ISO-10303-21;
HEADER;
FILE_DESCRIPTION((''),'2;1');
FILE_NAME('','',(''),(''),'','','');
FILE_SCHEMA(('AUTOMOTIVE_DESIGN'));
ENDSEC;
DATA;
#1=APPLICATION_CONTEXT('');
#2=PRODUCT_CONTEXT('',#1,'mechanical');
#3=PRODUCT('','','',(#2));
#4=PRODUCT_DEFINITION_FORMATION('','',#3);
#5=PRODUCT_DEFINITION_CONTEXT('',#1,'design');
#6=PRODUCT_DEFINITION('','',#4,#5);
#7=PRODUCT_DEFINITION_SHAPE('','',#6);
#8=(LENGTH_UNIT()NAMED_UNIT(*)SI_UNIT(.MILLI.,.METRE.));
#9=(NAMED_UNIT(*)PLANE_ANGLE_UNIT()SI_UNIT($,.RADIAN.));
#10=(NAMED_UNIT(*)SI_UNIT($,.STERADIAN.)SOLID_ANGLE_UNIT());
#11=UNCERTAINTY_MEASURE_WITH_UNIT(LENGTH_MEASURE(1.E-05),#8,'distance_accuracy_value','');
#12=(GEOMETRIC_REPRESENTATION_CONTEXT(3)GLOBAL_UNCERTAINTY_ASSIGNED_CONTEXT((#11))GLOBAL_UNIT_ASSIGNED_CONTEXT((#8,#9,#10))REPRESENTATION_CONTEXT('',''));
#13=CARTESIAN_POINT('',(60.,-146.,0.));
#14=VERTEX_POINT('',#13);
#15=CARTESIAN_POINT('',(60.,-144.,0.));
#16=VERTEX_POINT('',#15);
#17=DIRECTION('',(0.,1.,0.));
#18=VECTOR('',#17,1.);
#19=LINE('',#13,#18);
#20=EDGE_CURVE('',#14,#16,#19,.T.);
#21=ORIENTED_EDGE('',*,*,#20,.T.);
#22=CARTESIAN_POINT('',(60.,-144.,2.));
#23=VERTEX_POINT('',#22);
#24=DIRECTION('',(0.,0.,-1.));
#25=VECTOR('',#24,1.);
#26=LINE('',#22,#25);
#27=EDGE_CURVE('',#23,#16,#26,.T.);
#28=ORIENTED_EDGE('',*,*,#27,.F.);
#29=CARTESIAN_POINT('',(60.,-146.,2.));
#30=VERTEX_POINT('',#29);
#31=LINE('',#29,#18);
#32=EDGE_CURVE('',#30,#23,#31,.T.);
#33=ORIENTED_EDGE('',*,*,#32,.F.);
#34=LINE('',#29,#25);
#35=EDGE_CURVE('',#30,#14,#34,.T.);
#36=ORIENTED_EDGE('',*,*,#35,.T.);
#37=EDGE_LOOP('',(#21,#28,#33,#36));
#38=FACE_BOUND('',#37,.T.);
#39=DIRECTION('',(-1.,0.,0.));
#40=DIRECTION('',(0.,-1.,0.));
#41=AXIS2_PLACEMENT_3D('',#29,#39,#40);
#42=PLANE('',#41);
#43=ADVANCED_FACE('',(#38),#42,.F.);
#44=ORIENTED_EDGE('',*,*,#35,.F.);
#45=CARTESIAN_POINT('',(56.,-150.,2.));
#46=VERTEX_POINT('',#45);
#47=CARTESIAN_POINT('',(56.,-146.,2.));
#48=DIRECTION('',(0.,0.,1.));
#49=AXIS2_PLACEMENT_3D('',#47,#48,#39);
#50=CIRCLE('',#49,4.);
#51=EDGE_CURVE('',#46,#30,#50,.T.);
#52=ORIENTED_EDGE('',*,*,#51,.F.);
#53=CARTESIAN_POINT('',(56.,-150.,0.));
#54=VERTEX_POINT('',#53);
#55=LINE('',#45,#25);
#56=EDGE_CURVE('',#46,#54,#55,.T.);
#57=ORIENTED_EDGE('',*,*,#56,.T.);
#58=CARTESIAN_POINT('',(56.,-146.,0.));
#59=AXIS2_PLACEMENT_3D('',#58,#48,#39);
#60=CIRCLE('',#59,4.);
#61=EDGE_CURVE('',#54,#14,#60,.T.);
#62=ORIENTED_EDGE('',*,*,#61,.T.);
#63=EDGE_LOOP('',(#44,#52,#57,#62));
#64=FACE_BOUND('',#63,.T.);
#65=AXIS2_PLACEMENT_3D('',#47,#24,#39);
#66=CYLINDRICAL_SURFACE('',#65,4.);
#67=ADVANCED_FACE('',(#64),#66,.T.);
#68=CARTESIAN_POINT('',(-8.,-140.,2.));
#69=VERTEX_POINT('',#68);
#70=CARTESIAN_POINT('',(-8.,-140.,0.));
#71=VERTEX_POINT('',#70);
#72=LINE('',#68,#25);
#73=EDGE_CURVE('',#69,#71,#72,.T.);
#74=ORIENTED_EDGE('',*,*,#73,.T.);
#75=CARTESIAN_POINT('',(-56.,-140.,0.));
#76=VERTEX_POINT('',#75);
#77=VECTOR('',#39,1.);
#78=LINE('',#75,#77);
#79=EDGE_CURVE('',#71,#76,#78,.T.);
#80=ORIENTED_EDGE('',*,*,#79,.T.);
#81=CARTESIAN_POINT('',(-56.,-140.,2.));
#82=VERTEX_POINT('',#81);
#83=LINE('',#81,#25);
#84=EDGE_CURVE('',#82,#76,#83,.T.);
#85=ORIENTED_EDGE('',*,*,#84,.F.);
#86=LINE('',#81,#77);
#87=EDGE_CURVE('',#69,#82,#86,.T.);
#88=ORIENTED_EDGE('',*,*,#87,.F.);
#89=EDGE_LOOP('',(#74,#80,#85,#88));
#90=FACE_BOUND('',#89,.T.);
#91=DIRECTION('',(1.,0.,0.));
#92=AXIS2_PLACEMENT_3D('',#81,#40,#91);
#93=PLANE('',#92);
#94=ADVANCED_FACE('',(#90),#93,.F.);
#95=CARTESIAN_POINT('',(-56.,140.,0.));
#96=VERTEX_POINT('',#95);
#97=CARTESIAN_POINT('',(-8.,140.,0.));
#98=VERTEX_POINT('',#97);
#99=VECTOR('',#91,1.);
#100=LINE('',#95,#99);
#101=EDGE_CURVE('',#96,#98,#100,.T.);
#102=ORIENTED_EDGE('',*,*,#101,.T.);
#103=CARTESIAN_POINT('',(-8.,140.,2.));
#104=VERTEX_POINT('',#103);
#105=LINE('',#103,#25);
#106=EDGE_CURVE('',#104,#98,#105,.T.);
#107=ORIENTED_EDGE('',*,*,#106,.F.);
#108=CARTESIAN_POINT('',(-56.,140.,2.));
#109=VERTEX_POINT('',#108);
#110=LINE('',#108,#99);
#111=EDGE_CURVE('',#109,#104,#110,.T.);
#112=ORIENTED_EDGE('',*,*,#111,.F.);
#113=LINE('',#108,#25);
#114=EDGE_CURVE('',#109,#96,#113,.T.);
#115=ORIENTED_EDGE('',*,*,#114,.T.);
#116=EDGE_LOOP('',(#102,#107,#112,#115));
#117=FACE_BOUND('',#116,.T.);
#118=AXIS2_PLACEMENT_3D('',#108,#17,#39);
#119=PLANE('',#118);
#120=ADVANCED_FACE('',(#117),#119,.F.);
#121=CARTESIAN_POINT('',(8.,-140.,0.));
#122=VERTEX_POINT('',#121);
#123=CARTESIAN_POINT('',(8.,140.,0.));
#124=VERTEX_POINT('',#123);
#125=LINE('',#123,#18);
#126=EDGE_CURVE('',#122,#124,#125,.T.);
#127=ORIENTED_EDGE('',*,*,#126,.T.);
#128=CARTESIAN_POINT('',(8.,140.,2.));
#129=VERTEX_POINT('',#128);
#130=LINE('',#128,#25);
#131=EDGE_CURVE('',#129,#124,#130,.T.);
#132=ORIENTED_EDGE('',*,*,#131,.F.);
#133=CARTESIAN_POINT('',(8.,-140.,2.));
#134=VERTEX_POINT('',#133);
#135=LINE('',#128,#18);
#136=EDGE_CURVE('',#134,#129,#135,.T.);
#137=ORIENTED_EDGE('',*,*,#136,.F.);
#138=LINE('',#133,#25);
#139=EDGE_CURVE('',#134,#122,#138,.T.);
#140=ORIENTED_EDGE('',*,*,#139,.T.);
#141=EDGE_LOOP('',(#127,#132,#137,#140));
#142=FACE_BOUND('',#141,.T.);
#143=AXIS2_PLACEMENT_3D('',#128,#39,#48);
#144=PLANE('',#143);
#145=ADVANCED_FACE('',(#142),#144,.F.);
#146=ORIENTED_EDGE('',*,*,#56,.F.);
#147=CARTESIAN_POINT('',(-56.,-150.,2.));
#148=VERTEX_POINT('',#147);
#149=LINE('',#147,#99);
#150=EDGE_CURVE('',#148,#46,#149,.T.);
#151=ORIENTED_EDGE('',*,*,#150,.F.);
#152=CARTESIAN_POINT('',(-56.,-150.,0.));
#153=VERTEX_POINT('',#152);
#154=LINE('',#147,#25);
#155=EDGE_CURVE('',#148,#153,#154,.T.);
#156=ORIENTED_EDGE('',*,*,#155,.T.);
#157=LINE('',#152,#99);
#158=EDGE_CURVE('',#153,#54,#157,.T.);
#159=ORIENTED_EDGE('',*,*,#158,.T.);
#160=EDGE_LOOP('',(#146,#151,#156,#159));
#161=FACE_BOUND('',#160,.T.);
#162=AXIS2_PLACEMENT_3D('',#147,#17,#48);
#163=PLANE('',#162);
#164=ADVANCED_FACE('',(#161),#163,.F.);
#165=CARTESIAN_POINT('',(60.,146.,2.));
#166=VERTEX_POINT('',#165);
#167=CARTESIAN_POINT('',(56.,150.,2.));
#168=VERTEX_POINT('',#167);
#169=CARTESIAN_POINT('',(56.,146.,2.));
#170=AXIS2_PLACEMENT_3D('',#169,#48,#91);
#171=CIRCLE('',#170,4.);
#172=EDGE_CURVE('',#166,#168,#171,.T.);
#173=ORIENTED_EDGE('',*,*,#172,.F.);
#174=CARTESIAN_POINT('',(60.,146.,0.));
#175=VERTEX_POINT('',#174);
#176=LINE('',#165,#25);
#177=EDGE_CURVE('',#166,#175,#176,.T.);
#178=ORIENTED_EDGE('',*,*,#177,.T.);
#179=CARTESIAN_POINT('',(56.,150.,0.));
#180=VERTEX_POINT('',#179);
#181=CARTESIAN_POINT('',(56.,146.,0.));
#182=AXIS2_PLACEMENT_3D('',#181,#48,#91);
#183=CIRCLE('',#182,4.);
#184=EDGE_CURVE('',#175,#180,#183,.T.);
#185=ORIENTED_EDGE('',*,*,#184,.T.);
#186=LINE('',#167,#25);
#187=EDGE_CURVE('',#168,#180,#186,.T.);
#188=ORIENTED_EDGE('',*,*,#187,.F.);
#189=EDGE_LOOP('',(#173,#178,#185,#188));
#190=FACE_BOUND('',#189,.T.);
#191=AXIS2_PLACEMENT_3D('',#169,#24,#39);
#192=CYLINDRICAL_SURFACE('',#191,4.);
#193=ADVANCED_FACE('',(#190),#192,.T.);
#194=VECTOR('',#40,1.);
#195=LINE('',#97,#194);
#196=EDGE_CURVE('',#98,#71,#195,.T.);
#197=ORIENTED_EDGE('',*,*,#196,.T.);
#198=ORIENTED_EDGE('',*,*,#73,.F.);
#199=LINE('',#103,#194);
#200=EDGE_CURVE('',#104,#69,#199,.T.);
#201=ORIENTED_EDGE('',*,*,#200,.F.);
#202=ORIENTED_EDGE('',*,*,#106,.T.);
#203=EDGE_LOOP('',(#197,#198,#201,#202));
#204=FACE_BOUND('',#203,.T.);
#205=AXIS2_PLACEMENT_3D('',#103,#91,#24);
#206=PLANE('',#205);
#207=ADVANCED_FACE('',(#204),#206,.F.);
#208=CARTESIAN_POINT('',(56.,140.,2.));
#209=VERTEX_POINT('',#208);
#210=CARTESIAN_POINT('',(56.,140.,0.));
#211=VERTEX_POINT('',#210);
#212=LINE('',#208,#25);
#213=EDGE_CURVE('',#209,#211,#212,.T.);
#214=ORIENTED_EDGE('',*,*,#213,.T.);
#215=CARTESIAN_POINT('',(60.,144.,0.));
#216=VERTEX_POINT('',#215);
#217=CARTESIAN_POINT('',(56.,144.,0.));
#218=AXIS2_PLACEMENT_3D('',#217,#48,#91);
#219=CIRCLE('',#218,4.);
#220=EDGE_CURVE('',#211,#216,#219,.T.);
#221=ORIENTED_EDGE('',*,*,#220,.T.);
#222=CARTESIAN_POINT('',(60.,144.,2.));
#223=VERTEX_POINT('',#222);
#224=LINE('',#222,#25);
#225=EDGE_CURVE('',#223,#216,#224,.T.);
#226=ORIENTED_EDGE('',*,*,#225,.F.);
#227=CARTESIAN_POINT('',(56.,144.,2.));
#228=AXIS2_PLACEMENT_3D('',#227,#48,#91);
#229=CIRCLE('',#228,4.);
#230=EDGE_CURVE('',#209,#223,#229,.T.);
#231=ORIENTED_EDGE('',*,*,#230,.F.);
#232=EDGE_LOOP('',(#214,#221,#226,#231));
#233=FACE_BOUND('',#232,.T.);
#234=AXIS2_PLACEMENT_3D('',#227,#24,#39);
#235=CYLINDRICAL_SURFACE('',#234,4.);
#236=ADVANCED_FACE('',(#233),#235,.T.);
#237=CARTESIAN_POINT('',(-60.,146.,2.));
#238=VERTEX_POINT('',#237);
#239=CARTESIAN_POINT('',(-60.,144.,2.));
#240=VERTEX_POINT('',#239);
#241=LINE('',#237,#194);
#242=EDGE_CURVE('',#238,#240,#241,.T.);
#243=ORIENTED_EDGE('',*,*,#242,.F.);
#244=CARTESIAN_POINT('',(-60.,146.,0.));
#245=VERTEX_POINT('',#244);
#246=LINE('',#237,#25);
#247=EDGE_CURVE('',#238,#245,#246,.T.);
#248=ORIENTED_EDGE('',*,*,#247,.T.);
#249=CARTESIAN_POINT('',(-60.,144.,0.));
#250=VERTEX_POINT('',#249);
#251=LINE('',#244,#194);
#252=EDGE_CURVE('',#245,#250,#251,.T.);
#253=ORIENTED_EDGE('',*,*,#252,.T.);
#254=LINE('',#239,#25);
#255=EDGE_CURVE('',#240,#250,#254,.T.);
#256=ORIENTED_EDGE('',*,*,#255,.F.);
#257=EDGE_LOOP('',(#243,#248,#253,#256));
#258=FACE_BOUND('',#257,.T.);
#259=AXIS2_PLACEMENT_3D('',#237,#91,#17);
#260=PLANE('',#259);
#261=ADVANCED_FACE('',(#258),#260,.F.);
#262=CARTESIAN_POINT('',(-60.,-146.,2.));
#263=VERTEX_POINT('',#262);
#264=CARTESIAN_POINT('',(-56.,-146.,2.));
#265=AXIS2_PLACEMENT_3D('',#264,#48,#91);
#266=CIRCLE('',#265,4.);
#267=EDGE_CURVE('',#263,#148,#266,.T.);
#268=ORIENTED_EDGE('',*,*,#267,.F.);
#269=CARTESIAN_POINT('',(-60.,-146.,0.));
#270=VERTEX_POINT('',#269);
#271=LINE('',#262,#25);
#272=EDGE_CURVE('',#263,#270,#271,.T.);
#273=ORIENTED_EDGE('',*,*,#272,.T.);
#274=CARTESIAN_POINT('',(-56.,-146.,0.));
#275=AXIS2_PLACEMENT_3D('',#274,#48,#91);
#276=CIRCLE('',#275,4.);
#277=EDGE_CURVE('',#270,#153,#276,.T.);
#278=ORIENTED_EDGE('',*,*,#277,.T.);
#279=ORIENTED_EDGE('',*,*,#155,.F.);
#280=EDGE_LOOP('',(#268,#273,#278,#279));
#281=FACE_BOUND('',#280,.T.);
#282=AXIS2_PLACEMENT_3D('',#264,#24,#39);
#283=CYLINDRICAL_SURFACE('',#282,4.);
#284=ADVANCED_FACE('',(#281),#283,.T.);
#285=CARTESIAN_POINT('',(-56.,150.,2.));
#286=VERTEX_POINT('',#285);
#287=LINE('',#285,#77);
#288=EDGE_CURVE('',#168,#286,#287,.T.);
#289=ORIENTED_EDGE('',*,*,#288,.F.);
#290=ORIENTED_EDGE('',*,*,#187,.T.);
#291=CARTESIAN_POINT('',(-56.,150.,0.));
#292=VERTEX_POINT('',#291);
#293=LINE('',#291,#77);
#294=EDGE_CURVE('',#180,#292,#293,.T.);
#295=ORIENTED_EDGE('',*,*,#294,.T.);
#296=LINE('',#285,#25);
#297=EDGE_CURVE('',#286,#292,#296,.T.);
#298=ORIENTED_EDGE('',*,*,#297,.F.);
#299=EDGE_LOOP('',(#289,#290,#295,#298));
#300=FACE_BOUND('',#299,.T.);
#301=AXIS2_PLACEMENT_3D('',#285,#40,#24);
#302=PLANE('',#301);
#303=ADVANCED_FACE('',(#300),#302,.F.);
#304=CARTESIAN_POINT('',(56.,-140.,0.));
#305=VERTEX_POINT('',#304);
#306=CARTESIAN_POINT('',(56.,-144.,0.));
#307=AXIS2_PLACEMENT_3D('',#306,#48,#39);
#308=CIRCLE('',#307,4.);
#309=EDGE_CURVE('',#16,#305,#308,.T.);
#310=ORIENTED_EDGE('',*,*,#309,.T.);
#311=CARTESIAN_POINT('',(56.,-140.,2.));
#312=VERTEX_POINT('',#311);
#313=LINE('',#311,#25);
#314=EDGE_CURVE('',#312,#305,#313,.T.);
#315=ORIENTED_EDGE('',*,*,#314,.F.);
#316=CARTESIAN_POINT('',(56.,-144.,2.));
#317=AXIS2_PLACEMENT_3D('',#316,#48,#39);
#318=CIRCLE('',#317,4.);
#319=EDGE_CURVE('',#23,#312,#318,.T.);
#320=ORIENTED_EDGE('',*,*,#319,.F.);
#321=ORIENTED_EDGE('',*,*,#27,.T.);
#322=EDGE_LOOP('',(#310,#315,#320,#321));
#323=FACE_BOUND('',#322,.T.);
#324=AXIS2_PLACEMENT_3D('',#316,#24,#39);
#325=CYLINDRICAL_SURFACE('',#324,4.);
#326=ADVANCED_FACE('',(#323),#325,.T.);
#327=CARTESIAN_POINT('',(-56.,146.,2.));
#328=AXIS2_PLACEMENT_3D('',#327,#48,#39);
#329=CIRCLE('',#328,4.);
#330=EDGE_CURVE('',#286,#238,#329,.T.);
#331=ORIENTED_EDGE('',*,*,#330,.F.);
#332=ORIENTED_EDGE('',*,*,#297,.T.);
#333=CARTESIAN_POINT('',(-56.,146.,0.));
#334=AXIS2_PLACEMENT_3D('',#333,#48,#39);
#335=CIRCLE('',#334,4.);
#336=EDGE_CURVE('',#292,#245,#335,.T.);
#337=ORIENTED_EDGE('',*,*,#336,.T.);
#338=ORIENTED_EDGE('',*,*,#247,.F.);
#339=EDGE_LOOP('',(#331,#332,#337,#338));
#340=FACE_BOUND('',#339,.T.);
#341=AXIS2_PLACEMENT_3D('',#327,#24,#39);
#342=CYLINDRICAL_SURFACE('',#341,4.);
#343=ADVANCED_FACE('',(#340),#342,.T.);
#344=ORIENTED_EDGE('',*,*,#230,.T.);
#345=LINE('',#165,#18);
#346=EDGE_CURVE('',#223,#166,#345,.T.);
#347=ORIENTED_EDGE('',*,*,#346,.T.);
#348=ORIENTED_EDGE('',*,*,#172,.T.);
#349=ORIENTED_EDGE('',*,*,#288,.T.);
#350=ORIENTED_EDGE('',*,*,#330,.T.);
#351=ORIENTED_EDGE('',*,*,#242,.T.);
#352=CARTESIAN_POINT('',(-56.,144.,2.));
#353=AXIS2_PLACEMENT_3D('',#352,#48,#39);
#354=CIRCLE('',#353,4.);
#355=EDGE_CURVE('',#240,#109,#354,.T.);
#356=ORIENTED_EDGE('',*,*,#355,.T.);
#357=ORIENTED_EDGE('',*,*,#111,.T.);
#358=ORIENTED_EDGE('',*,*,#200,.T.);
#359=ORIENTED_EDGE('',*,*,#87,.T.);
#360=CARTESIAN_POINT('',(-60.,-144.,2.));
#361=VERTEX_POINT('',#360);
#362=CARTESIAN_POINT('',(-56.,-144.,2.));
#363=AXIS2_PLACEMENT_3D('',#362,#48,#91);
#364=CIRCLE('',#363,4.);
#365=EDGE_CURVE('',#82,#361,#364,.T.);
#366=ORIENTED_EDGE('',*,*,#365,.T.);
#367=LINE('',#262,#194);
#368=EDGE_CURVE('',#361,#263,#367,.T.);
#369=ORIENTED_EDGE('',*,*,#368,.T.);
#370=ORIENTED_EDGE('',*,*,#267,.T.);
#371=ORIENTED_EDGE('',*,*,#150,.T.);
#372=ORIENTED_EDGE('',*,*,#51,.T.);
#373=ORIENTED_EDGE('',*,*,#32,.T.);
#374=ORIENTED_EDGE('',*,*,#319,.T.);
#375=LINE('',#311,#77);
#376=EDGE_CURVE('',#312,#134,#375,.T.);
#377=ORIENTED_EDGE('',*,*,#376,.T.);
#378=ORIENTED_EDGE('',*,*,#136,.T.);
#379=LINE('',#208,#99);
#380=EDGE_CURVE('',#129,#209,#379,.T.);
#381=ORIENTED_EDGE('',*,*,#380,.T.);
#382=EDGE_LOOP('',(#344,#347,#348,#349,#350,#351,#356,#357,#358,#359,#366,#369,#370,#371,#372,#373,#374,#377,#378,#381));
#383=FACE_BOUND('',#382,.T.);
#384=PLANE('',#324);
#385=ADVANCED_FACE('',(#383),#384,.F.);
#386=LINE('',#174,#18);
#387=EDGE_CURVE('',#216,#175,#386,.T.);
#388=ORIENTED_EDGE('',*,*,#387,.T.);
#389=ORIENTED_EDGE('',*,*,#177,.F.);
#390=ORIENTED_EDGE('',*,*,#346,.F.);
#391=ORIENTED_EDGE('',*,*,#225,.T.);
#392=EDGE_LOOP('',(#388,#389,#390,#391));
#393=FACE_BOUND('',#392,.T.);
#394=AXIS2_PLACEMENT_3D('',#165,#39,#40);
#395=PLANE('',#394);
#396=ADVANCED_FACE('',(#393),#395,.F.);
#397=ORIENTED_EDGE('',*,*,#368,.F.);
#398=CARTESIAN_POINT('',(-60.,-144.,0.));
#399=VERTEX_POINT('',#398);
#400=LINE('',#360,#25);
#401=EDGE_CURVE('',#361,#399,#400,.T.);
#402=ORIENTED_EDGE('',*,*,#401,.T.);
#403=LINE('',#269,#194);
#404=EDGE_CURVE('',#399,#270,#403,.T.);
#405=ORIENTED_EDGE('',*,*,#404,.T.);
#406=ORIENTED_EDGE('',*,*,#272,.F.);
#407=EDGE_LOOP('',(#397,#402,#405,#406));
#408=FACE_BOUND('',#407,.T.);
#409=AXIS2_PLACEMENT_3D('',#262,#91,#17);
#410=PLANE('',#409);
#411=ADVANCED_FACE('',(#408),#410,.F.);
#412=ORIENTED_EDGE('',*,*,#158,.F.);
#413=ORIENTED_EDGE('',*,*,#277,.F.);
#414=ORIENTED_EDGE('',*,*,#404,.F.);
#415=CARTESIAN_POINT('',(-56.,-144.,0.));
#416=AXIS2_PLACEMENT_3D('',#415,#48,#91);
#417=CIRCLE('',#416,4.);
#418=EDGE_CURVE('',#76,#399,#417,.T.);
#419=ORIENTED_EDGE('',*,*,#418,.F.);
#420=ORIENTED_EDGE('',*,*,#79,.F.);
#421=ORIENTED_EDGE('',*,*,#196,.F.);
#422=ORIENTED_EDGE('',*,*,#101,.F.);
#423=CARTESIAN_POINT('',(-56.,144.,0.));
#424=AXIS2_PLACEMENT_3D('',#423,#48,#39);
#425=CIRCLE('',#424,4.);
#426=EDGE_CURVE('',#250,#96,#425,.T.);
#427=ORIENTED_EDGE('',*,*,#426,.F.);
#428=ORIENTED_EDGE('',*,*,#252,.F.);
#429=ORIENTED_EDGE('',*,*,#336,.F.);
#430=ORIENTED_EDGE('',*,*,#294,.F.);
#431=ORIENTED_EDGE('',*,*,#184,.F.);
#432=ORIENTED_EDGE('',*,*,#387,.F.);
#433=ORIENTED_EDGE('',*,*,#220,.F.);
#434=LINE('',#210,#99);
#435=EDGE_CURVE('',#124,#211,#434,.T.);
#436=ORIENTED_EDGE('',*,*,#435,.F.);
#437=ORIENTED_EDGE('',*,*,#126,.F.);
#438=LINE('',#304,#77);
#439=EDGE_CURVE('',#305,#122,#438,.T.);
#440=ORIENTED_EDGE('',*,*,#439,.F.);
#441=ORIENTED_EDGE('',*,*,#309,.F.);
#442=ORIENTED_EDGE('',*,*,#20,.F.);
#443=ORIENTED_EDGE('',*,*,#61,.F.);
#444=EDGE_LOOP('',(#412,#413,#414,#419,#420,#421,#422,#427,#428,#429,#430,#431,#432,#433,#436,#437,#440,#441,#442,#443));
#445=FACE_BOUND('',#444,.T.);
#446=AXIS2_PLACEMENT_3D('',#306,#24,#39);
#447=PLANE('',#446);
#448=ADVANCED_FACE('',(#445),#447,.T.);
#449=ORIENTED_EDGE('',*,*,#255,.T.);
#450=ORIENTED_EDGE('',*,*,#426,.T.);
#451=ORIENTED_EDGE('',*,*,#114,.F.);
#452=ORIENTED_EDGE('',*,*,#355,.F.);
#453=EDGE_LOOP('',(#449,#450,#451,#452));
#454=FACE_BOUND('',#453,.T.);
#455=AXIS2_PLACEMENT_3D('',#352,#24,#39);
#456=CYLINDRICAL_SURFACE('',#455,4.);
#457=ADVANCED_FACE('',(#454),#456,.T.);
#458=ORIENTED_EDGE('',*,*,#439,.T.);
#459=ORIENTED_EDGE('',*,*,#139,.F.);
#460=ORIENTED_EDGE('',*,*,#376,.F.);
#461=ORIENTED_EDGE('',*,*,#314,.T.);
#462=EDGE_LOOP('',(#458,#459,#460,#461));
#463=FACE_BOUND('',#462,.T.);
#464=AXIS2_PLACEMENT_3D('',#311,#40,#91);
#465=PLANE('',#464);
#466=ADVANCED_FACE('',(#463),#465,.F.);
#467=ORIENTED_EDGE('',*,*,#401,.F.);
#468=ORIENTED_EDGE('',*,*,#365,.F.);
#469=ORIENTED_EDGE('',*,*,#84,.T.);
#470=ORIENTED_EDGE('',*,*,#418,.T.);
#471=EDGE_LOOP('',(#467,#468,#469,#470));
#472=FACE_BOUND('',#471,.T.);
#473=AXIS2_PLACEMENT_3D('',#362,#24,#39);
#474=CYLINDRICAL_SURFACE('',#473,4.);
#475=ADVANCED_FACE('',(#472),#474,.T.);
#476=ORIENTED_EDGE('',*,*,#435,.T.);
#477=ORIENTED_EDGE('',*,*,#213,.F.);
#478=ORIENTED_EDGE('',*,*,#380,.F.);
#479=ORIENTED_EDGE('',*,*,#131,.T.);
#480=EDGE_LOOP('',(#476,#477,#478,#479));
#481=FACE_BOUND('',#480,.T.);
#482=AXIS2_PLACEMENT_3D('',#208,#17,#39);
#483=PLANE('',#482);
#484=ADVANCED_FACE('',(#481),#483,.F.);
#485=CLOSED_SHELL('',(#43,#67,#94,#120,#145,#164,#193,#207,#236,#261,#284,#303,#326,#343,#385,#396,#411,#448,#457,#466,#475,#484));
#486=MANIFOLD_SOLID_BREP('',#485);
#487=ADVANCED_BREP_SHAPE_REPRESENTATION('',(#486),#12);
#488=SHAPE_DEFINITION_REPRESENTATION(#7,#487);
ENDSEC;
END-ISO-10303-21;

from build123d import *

# Parameters (mm, degrees)
EXTRUDE_1_DEPTH = 2


with BuildPart() as part:
    # 草图1 → 凸台-拉伸1 (new body)
    with BuildSketch(Plane.XY):
        with BuildLine():
            Line((-56, 150), (56, 150))
            ThreePointArc((56, 150), (58.828427125, 148.828427125), (60, 146))
            Line((60, 146), (60, 144))
            ThreePointArc((60, 144), (58.828427125, 141.171572875), (56, 140))
            Line((56, 140), (8, 140))
            Line((8, 140), (8, -140))
            Line((8, -140), (56, -140))
            ThreePointArc((56, -140), (58.828427125, -141.171572875), (60, -144))
            Line((60, -144), (60, -146))
            ThreePointArc((60, -146), (58.828427125, -148.828427125), (56, -150))
            Line((56, -150), (-56, -150))
            ThreePointArc((-56, -150), (-58.828427125, -148.828427125), (-60, -146))
            Line((-60, -146), (-60, -144))
            ThreePointArc((-60, -144), (-58.828427125, -141.171572875), (-56, -140))
            Line((-56, -140), (-8, -140))
            Line((-8, -140), (-8, 140))
            Line((-8, 140), (-56, 140))
            ThreePointArc((-56, 140), (-58.828427125, 141.171572875), (-60, 144))
            Line((-60, 144), (-60, 146))
            ThreePointArc((-60, 146), (-58.828427125, 148.828427125), (-56, 150))
        make_face()
    extrude(amount=EXTRUDE_1_DEPTH)


solid = part.part
